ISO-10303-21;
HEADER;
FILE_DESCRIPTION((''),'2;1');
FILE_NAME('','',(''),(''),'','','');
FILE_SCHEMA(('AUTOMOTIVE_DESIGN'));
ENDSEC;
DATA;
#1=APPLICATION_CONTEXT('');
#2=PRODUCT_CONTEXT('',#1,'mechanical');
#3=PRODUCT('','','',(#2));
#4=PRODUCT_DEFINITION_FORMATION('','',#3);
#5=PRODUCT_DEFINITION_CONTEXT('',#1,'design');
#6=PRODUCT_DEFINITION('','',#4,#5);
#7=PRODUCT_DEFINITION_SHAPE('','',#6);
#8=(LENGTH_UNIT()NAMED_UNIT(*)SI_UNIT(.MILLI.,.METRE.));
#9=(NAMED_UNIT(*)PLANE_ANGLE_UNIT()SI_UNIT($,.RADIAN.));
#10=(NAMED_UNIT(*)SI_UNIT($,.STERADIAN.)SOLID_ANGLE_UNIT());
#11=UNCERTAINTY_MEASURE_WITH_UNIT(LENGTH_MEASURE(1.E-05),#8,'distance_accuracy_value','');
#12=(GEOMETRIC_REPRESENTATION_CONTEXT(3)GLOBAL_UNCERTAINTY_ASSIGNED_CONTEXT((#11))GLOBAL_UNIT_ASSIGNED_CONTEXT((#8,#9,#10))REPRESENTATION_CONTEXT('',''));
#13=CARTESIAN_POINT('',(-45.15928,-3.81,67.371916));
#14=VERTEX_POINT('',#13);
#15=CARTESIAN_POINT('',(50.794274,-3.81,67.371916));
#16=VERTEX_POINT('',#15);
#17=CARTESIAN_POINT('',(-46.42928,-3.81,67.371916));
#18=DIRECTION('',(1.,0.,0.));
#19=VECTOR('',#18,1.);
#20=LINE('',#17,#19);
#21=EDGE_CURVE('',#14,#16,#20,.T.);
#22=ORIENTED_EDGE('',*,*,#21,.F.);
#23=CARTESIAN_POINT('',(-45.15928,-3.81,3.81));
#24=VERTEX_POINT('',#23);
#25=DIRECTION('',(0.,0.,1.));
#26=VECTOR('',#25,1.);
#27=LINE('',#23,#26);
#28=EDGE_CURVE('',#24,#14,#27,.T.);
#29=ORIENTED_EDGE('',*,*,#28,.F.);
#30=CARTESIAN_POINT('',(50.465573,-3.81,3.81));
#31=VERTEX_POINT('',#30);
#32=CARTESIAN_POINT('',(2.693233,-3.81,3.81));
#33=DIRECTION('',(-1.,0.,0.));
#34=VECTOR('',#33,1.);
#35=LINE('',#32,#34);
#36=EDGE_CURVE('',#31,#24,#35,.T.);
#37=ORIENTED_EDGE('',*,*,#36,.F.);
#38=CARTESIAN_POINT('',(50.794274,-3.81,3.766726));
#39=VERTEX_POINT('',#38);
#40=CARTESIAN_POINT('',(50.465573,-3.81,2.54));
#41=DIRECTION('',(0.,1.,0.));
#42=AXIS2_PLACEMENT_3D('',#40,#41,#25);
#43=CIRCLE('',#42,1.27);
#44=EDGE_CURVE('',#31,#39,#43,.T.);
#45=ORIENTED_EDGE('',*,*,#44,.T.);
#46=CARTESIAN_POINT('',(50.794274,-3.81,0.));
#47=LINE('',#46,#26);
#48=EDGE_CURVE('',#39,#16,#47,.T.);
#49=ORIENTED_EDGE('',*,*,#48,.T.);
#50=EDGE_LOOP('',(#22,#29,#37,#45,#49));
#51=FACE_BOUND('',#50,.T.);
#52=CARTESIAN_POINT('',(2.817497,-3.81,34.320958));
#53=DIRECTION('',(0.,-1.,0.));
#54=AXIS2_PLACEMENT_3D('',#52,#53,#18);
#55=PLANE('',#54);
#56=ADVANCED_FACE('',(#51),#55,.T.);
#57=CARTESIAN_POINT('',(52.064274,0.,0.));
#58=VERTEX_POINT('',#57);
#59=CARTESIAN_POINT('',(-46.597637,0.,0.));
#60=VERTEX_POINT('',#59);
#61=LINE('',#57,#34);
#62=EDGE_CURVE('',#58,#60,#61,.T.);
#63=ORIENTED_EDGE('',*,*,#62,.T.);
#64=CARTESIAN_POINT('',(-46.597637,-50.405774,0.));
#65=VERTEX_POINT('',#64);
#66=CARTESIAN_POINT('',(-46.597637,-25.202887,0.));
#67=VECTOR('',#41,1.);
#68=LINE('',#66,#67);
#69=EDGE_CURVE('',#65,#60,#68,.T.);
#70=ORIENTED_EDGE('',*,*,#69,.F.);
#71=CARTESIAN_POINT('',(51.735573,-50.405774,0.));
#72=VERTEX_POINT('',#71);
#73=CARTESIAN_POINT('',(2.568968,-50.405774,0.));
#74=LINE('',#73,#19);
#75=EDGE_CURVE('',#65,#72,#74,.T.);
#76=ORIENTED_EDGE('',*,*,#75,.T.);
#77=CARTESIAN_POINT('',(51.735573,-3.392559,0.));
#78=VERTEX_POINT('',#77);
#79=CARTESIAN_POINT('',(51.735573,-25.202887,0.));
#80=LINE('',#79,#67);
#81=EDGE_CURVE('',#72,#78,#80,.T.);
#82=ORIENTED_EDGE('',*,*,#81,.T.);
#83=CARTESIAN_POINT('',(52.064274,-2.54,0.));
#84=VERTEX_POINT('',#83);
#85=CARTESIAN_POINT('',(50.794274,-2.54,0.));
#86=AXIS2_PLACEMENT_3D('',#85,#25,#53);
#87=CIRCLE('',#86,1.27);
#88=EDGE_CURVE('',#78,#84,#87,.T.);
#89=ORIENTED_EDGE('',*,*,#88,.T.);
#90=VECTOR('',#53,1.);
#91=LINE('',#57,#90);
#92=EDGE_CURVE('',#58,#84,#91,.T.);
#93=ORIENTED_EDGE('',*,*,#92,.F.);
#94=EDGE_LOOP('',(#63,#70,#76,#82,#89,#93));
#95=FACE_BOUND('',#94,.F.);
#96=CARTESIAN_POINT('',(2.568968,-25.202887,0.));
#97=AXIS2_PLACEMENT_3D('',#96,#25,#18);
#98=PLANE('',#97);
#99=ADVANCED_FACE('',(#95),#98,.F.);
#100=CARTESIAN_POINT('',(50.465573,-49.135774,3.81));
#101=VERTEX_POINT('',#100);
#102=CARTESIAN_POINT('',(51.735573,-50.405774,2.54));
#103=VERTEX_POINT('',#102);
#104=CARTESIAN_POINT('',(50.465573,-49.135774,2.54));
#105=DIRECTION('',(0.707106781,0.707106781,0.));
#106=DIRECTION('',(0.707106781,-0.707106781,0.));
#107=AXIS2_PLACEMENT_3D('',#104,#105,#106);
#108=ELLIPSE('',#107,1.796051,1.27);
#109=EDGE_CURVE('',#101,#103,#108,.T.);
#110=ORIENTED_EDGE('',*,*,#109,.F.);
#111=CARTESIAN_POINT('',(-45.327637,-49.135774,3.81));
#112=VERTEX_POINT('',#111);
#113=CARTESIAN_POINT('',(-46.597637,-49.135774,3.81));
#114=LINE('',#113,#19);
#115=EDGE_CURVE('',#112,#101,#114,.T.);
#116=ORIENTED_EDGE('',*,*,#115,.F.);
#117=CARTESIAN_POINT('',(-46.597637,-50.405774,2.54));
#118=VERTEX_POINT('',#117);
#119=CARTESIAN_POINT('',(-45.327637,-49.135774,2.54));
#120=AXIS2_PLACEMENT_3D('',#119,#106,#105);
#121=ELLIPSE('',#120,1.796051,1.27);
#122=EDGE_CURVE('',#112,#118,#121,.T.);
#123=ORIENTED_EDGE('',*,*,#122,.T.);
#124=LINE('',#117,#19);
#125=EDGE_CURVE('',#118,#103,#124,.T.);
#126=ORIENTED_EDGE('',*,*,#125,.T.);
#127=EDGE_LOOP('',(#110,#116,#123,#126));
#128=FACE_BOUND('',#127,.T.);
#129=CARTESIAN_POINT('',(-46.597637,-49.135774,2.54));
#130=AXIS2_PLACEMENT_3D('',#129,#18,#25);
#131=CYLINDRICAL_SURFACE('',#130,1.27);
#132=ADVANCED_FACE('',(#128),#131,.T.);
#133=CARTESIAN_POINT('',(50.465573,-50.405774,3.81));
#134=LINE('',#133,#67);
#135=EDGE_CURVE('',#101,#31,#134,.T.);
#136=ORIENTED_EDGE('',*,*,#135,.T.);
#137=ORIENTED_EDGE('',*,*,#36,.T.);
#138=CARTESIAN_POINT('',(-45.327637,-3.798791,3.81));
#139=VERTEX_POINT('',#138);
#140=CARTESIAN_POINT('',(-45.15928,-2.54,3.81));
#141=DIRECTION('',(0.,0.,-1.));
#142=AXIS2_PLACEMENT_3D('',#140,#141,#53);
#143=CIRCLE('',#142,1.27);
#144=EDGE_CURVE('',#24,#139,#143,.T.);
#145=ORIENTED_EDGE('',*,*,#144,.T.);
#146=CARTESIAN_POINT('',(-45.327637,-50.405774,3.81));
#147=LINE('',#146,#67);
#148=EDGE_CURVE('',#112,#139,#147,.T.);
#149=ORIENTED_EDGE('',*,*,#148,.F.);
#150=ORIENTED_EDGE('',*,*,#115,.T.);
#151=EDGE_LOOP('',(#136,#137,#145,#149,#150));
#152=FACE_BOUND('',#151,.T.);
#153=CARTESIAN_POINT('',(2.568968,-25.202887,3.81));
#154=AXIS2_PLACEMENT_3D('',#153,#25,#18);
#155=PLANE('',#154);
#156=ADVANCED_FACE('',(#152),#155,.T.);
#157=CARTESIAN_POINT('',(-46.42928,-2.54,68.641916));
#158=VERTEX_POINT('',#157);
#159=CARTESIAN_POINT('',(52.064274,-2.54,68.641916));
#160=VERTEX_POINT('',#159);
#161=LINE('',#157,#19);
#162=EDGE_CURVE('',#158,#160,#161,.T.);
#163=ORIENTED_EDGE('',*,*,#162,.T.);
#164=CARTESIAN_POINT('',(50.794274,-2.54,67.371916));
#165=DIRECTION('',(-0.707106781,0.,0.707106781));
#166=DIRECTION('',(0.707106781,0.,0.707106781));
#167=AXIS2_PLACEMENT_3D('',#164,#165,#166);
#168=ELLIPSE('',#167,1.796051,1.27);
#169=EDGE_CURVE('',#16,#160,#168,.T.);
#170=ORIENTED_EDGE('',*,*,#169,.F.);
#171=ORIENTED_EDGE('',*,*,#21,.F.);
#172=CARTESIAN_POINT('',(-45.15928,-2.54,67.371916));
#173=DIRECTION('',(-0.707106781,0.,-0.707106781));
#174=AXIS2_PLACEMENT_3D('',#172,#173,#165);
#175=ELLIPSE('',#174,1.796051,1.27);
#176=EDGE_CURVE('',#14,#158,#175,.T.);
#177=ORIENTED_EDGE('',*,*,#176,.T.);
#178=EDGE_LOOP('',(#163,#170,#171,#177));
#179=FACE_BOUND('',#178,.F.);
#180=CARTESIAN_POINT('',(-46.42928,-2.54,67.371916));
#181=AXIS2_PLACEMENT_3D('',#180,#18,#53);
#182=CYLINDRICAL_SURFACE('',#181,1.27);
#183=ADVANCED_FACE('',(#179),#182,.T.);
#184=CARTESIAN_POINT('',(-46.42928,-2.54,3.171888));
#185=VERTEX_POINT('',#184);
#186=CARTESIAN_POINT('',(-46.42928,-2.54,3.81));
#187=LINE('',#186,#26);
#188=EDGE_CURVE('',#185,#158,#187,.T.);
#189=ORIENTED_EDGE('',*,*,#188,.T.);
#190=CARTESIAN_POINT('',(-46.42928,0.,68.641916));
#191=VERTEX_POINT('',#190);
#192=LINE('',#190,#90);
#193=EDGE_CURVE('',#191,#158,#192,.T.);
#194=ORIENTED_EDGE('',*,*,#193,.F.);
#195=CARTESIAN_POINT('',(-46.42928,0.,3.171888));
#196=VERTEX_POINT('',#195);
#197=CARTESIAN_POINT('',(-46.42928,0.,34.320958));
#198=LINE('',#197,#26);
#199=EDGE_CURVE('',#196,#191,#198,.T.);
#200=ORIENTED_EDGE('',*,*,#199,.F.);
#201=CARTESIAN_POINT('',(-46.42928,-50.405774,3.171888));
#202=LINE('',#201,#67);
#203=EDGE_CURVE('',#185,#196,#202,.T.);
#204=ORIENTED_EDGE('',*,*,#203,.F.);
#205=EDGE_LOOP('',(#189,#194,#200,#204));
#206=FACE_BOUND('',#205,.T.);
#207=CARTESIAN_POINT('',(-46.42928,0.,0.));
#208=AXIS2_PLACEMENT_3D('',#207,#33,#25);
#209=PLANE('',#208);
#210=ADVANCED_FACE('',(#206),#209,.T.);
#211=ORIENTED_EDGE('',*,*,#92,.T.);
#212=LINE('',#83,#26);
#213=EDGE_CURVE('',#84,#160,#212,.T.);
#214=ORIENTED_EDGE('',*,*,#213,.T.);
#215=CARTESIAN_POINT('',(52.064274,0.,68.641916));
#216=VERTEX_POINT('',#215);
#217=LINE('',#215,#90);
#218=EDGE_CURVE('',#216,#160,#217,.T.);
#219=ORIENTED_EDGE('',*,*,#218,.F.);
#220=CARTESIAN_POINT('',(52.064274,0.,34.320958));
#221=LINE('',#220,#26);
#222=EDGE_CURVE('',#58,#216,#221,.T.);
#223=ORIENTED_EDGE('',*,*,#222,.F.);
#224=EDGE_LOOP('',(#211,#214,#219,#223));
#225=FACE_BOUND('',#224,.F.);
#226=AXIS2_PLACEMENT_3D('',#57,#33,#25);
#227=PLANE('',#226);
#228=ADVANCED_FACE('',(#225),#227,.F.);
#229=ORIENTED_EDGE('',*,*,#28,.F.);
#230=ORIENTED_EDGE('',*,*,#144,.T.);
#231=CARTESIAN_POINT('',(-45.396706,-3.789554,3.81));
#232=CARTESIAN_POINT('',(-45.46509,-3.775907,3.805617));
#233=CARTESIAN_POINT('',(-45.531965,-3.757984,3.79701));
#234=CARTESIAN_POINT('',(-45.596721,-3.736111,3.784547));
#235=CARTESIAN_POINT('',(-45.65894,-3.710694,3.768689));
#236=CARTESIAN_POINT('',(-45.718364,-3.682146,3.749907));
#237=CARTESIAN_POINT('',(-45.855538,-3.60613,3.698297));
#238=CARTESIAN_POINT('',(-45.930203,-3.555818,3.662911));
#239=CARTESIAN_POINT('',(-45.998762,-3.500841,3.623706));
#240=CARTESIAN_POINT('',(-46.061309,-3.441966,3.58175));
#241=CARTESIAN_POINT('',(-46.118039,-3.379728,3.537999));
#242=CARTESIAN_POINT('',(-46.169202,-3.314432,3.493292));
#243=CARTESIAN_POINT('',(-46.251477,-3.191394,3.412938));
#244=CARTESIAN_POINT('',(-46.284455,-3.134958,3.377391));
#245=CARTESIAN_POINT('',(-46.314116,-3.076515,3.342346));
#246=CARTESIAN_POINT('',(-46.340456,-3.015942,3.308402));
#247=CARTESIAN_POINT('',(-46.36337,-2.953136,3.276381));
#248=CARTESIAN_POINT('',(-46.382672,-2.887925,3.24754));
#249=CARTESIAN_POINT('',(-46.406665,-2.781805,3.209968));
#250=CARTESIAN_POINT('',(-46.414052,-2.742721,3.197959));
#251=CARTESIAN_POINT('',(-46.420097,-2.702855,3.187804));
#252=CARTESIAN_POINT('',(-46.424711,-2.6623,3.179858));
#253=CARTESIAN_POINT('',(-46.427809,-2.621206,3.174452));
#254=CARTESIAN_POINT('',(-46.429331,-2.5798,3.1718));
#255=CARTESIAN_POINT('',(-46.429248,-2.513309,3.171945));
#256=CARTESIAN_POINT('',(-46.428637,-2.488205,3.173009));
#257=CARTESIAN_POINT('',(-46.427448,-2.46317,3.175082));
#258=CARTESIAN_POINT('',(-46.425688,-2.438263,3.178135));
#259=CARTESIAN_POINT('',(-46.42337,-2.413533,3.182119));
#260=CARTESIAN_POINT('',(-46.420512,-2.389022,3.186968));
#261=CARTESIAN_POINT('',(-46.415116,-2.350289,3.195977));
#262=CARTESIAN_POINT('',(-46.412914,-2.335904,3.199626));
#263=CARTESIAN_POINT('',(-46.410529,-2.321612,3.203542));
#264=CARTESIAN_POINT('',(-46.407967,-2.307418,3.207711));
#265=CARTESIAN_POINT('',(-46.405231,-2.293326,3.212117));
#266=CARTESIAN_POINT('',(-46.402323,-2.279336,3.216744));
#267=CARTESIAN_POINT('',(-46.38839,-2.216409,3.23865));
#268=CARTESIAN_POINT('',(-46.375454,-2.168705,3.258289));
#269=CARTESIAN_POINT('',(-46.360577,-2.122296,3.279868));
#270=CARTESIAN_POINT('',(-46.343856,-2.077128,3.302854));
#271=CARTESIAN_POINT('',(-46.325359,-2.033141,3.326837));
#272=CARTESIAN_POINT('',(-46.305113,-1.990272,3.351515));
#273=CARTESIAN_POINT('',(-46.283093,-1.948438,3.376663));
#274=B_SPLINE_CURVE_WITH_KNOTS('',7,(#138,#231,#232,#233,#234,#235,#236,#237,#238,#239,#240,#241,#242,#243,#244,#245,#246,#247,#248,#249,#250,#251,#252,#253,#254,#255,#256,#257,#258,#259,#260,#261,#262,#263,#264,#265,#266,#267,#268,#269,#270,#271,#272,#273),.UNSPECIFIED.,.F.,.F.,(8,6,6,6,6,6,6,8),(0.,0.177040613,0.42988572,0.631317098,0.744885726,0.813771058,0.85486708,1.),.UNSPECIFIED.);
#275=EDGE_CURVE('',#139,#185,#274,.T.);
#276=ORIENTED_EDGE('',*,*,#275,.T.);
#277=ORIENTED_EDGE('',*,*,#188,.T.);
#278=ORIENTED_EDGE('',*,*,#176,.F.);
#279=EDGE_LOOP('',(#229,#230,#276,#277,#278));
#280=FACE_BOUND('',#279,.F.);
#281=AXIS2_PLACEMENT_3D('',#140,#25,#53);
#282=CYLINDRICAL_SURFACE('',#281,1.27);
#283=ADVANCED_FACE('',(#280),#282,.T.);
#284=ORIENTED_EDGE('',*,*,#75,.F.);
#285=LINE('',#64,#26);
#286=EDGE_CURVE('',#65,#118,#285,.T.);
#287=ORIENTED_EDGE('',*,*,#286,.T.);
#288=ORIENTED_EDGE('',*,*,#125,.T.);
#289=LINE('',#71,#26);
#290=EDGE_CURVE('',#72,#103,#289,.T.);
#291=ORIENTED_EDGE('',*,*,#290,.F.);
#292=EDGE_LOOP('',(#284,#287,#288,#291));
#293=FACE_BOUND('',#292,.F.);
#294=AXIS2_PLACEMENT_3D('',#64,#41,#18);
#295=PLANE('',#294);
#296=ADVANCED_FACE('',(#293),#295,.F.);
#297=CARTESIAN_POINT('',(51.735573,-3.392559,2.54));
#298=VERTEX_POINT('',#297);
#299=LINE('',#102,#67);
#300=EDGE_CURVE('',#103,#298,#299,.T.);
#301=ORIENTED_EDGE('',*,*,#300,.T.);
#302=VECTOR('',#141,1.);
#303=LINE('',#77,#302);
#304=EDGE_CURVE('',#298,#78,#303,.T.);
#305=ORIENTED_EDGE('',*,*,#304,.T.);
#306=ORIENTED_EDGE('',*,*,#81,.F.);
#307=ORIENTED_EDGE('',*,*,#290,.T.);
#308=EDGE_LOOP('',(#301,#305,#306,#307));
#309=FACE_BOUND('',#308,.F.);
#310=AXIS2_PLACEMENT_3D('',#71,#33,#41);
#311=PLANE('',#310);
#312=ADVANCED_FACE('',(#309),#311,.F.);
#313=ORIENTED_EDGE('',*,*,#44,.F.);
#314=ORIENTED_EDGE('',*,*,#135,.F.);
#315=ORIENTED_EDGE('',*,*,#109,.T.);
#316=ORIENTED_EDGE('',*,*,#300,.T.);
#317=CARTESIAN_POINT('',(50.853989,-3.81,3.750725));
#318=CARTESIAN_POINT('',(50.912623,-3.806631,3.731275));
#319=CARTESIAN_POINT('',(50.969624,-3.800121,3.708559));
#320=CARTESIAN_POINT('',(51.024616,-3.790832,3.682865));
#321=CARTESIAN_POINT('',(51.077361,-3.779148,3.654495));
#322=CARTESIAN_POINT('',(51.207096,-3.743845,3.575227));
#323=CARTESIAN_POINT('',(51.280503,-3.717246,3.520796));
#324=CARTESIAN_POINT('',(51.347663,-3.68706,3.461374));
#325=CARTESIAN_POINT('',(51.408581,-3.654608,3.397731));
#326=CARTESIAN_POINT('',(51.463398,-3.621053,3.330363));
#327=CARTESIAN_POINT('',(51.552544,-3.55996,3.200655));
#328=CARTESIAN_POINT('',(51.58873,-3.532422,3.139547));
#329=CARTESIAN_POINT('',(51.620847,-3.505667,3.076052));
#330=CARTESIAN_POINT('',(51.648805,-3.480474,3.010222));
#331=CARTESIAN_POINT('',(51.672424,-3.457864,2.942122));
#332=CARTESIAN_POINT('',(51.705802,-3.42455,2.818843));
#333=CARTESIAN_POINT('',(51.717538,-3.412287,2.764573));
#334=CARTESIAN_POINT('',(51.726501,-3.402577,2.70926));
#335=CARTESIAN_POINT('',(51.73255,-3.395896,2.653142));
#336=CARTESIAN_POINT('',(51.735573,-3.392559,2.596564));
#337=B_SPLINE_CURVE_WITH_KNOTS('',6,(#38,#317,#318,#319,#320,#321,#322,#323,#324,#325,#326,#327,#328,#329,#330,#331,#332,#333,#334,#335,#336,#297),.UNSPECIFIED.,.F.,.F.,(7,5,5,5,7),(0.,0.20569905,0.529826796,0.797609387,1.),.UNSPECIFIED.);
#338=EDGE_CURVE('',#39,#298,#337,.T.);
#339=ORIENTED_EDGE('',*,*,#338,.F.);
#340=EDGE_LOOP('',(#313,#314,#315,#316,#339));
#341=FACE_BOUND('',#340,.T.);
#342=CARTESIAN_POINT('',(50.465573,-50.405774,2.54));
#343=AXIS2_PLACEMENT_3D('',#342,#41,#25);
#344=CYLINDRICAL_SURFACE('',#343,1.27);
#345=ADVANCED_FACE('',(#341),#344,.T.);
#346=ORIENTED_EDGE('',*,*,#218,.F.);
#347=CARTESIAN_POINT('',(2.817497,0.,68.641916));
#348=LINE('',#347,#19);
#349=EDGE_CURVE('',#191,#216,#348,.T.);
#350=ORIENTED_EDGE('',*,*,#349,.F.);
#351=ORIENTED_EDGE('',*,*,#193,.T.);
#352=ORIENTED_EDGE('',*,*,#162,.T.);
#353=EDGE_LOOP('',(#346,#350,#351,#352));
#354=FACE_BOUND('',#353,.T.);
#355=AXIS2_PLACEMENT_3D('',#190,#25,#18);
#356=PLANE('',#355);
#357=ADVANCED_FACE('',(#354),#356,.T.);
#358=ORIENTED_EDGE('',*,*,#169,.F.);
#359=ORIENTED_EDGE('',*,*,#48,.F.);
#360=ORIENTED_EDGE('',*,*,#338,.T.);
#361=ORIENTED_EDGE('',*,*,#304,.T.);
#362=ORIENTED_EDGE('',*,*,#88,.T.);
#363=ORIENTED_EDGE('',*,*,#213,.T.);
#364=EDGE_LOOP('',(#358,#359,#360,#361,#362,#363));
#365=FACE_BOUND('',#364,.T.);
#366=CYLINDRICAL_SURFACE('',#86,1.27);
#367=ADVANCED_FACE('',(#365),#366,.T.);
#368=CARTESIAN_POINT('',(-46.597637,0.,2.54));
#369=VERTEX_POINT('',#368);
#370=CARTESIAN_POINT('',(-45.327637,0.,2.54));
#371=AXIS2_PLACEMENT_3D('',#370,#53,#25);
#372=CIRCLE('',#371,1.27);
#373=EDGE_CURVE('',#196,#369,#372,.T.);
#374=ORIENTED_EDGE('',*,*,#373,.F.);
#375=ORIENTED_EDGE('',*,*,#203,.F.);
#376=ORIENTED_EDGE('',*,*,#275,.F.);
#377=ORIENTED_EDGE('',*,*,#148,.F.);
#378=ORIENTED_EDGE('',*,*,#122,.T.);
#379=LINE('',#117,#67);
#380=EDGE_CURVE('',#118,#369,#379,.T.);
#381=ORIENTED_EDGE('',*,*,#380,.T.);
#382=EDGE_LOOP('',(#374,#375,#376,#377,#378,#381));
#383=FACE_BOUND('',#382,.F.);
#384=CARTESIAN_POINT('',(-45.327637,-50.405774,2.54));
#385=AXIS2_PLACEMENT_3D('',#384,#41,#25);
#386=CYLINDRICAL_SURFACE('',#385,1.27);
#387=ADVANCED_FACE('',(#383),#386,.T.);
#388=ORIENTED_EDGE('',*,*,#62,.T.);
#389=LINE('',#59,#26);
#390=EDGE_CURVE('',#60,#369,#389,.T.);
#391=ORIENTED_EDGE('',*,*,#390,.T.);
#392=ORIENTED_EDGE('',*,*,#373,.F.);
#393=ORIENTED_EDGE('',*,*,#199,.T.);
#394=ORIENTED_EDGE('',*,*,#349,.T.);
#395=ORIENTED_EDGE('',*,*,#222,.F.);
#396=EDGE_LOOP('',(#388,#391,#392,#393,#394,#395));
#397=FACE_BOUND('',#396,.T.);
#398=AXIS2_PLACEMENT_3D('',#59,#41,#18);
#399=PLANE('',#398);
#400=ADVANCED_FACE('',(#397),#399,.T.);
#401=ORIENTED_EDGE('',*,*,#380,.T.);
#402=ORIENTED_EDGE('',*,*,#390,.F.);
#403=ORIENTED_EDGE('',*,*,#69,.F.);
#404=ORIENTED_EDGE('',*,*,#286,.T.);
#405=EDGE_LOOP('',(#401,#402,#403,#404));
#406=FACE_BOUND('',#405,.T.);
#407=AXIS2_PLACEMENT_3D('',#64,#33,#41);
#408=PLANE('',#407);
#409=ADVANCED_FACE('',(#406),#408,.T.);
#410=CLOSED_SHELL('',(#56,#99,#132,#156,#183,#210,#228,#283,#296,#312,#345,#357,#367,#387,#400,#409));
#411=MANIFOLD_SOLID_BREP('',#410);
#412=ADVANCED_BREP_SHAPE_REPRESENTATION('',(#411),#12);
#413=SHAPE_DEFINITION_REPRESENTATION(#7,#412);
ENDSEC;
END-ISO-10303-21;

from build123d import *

# Parameters (mm, degrees)
F1_W     = 98.493554
F1_H     = 68.641916
F2_DEPTH = 3.81
F0_W     = 98.33321
F0_H     = 50.405774
F3_DEPTH = 3.81
F4_R     = 1.27
F5_R     = 1.27


with BuildPart() as f2:
    # F1 (on Front) → F2 (new body)
    with BuildSketch(Plane.XZ):
        with Locations((2.817497, 34.320958)):
            Rectangle(F1_W, F1_H)
    extrude(amount=F2_DEPTH)

    # F0 (on Top) → F3 (join)
    with BuildSketch(Plane.XY):
        with Locations((2.568968, -25.202887)):
            Rectangle(F0_W, F0_H)
    extrude(amount=F3_DEPTH)

    # F4
    f4_edges = [f2.edges().sort_by_distance(p)[0] for p in [
        (-46.42928, -3.81, 36.225958),
        (2.817497, -3.81, 68.641916),
        (52.064274, -3.81, 34.320958),
    ]]
    fillet(f4_edges, radius=F4_R)

    # F5
    f5_edges = [f2.edges().sort_by_distance(p)[0] for p in [
        (2.568968, -50.405774, 3.81),
        (51.735573, -26.899166, 3.81),
        (-46.597637, -25.202887, 3.81),
    ]]
    fillet(f5_edges, radius=F5_R)


solid = f2.part
